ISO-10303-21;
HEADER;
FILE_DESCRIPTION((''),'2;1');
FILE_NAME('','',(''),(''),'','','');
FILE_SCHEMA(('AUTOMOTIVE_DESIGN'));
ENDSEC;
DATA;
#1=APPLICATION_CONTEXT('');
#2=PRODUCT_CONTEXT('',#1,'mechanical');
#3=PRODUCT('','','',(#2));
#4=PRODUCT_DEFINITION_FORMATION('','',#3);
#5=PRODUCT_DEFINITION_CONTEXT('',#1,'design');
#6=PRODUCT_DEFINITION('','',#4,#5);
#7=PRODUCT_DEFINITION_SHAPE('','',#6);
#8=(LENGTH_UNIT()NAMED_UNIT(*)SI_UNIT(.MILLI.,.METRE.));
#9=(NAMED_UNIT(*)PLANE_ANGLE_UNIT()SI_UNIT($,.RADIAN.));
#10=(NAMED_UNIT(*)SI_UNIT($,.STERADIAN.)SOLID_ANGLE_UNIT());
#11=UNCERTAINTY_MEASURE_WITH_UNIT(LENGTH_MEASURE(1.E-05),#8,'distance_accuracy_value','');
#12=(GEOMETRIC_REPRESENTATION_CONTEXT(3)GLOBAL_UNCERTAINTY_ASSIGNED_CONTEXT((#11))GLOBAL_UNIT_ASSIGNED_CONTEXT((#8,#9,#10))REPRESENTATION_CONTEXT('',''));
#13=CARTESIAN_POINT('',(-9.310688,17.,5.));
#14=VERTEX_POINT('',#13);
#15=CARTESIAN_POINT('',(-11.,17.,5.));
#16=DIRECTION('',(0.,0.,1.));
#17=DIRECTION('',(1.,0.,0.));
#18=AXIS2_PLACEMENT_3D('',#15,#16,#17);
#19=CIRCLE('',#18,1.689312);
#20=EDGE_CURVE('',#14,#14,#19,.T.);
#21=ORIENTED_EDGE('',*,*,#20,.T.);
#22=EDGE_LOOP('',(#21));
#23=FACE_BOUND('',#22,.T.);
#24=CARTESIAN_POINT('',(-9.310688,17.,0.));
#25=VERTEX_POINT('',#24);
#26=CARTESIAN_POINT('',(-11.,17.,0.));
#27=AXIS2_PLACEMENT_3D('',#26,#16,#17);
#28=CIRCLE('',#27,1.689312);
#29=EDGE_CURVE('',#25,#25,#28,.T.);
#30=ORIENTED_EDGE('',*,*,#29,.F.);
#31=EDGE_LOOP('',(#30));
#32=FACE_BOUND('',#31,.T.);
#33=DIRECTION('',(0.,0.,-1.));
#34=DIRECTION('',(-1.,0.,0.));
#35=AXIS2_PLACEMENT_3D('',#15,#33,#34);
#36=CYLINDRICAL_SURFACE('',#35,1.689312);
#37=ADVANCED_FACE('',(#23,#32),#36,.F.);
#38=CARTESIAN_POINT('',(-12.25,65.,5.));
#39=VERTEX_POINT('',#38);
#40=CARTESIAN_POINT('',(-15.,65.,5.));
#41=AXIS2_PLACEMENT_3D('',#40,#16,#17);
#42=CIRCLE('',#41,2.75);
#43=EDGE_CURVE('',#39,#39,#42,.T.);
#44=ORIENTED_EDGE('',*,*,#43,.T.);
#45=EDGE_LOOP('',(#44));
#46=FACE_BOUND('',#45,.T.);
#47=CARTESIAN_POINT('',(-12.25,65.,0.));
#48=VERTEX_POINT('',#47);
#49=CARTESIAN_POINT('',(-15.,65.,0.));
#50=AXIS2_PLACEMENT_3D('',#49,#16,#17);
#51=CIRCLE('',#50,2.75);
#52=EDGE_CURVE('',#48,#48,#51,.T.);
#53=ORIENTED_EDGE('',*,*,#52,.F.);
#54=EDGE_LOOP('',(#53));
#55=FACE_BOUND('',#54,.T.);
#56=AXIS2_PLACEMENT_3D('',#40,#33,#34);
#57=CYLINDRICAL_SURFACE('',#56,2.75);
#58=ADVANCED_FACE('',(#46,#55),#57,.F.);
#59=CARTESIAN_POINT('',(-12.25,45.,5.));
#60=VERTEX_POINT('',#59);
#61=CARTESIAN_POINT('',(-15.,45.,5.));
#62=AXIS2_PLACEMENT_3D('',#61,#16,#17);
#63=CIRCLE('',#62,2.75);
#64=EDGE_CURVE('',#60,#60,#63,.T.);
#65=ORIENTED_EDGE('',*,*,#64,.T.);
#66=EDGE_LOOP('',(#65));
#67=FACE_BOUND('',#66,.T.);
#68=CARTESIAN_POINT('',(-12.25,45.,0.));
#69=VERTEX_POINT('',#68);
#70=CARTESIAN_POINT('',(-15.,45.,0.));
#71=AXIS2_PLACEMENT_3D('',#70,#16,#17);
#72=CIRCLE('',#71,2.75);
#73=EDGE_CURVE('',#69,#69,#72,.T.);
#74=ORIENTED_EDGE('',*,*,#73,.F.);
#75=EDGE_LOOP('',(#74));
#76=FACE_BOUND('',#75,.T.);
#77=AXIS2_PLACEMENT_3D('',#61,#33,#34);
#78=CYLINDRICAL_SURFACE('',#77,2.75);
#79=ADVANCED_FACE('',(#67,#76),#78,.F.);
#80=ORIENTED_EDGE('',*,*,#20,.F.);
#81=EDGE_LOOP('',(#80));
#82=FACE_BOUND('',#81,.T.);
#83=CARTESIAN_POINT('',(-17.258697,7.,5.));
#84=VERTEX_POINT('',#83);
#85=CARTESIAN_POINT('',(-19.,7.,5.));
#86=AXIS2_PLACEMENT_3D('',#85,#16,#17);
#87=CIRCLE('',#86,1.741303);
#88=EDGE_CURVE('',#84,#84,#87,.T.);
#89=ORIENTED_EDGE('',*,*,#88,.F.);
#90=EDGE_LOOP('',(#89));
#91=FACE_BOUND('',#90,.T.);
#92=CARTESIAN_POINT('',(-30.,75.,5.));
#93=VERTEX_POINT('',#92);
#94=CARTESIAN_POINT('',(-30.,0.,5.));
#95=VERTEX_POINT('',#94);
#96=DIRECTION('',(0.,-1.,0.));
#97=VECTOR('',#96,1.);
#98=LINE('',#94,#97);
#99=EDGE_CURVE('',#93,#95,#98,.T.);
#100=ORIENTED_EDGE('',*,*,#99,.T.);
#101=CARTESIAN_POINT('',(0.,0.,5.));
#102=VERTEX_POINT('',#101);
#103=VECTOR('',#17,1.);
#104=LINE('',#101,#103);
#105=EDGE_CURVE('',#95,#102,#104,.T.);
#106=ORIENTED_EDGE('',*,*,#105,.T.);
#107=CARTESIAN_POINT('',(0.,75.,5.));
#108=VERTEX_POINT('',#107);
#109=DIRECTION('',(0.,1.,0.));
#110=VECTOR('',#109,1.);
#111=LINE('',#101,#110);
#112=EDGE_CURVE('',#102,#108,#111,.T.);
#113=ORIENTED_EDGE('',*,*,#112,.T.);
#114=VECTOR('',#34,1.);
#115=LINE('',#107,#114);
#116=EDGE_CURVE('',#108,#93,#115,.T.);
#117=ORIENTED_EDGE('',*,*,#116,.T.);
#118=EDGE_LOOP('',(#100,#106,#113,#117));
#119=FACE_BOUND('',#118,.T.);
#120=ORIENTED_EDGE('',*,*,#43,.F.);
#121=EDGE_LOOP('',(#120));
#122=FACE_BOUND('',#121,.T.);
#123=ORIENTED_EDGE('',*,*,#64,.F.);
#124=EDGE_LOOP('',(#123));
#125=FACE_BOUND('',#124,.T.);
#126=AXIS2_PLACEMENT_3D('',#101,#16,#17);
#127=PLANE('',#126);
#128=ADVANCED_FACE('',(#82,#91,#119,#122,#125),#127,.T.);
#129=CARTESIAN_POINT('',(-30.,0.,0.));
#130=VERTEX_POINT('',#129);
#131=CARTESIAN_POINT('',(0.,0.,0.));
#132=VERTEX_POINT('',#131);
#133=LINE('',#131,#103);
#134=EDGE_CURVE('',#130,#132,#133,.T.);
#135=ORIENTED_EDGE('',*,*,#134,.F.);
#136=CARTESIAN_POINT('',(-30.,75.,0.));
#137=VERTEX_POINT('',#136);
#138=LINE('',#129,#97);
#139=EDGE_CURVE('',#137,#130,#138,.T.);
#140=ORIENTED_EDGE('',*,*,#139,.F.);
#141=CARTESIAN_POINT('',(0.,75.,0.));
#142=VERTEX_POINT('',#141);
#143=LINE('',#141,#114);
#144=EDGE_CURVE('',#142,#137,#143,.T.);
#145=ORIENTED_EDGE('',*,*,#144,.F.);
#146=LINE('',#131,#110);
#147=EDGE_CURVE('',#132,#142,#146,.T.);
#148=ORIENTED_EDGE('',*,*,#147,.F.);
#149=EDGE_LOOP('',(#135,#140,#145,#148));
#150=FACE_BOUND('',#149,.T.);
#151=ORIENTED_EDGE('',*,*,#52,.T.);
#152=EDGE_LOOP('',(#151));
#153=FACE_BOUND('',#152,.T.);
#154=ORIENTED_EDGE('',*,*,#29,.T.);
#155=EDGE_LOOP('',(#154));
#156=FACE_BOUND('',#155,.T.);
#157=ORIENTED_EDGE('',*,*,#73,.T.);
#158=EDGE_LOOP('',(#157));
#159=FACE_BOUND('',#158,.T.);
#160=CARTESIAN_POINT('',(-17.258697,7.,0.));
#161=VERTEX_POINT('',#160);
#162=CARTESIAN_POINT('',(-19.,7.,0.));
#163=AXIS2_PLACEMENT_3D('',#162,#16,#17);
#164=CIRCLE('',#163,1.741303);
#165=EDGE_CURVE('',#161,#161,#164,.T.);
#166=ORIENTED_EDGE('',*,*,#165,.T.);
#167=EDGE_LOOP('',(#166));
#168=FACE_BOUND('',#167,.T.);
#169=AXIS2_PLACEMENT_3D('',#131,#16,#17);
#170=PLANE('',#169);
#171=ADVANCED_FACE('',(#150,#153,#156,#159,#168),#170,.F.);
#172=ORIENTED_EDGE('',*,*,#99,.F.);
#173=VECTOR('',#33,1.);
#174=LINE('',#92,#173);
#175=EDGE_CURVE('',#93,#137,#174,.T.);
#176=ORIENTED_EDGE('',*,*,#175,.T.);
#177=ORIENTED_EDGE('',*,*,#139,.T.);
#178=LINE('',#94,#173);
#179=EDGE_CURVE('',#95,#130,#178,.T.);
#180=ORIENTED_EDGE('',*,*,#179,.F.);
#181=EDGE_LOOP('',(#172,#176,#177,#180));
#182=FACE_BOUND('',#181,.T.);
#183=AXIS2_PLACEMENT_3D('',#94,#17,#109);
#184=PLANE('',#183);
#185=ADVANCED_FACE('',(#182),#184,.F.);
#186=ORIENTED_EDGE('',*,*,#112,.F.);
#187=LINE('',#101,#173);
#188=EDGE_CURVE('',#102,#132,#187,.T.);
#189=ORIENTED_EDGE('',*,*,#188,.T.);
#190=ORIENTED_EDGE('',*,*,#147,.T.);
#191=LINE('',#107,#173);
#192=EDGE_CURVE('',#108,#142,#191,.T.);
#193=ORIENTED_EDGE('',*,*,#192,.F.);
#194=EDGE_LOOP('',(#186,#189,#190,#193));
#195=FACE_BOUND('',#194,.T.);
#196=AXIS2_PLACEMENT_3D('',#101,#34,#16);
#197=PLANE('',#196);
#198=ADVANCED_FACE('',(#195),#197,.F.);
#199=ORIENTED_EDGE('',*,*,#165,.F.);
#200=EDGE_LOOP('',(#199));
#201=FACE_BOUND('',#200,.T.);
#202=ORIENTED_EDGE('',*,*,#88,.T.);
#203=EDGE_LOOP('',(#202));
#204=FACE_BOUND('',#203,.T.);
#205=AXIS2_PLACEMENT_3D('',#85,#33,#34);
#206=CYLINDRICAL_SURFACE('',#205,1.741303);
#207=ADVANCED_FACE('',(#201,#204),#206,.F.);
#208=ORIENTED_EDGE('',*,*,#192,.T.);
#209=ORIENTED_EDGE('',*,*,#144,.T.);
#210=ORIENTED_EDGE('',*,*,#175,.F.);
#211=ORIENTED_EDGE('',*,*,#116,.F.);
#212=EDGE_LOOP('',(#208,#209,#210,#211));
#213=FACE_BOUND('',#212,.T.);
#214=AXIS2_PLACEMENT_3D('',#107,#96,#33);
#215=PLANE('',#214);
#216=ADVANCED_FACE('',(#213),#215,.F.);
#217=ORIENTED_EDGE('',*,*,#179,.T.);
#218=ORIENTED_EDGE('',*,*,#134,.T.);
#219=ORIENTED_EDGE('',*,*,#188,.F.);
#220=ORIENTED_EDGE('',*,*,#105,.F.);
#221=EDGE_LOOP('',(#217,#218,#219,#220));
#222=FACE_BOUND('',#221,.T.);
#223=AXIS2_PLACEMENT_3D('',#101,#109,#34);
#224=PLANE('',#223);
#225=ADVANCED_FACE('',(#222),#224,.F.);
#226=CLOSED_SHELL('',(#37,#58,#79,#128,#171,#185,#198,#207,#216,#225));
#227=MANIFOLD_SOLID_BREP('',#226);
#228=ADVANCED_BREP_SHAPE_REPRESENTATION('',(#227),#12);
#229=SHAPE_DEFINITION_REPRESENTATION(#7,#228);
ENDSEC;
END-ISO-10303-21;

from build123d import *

# Parameters (mm, degrees)
ESQUISSE1_W        = 30
ESQUISSE1_H        = 75
ESQUISSE1_R        = 2.75
ESQUISSE1_R_2      = 1.741302511
ESQUISSE1_R_3      = 1.689311571
BOSS_EXTRU_1_DEPTH = 5


with BuildPart() as part:
    # Esquisse1 → Boss.-Extru.1 (new body)
    with BuildSketch(Plane.XY):
        with Locations((-15, 37.5)):
            Rectangle(ESQUISSE1_W, ESQUISSE1_H)
        with Locations((-15, 65)):
            Circle(ESQUISSE1_R, mode=Mode.SUBTRACT)
        with Locations((-15, 45)):
            Circle(ESQUISSE1_R, mode=Mode.SUBTRACT)
        with Locations((-19, 7)):
            Circle(ESQUISSE1_R_2, mode=Mode.SUBTRACT)
        with Locations((-11, 17)):
            Circle(ESQUISSE1_R_3, mode=Mode.SUBTRACT)
    extrude(amount=BOSS_EXTRU_1_DEPTH)


solid = part.part
